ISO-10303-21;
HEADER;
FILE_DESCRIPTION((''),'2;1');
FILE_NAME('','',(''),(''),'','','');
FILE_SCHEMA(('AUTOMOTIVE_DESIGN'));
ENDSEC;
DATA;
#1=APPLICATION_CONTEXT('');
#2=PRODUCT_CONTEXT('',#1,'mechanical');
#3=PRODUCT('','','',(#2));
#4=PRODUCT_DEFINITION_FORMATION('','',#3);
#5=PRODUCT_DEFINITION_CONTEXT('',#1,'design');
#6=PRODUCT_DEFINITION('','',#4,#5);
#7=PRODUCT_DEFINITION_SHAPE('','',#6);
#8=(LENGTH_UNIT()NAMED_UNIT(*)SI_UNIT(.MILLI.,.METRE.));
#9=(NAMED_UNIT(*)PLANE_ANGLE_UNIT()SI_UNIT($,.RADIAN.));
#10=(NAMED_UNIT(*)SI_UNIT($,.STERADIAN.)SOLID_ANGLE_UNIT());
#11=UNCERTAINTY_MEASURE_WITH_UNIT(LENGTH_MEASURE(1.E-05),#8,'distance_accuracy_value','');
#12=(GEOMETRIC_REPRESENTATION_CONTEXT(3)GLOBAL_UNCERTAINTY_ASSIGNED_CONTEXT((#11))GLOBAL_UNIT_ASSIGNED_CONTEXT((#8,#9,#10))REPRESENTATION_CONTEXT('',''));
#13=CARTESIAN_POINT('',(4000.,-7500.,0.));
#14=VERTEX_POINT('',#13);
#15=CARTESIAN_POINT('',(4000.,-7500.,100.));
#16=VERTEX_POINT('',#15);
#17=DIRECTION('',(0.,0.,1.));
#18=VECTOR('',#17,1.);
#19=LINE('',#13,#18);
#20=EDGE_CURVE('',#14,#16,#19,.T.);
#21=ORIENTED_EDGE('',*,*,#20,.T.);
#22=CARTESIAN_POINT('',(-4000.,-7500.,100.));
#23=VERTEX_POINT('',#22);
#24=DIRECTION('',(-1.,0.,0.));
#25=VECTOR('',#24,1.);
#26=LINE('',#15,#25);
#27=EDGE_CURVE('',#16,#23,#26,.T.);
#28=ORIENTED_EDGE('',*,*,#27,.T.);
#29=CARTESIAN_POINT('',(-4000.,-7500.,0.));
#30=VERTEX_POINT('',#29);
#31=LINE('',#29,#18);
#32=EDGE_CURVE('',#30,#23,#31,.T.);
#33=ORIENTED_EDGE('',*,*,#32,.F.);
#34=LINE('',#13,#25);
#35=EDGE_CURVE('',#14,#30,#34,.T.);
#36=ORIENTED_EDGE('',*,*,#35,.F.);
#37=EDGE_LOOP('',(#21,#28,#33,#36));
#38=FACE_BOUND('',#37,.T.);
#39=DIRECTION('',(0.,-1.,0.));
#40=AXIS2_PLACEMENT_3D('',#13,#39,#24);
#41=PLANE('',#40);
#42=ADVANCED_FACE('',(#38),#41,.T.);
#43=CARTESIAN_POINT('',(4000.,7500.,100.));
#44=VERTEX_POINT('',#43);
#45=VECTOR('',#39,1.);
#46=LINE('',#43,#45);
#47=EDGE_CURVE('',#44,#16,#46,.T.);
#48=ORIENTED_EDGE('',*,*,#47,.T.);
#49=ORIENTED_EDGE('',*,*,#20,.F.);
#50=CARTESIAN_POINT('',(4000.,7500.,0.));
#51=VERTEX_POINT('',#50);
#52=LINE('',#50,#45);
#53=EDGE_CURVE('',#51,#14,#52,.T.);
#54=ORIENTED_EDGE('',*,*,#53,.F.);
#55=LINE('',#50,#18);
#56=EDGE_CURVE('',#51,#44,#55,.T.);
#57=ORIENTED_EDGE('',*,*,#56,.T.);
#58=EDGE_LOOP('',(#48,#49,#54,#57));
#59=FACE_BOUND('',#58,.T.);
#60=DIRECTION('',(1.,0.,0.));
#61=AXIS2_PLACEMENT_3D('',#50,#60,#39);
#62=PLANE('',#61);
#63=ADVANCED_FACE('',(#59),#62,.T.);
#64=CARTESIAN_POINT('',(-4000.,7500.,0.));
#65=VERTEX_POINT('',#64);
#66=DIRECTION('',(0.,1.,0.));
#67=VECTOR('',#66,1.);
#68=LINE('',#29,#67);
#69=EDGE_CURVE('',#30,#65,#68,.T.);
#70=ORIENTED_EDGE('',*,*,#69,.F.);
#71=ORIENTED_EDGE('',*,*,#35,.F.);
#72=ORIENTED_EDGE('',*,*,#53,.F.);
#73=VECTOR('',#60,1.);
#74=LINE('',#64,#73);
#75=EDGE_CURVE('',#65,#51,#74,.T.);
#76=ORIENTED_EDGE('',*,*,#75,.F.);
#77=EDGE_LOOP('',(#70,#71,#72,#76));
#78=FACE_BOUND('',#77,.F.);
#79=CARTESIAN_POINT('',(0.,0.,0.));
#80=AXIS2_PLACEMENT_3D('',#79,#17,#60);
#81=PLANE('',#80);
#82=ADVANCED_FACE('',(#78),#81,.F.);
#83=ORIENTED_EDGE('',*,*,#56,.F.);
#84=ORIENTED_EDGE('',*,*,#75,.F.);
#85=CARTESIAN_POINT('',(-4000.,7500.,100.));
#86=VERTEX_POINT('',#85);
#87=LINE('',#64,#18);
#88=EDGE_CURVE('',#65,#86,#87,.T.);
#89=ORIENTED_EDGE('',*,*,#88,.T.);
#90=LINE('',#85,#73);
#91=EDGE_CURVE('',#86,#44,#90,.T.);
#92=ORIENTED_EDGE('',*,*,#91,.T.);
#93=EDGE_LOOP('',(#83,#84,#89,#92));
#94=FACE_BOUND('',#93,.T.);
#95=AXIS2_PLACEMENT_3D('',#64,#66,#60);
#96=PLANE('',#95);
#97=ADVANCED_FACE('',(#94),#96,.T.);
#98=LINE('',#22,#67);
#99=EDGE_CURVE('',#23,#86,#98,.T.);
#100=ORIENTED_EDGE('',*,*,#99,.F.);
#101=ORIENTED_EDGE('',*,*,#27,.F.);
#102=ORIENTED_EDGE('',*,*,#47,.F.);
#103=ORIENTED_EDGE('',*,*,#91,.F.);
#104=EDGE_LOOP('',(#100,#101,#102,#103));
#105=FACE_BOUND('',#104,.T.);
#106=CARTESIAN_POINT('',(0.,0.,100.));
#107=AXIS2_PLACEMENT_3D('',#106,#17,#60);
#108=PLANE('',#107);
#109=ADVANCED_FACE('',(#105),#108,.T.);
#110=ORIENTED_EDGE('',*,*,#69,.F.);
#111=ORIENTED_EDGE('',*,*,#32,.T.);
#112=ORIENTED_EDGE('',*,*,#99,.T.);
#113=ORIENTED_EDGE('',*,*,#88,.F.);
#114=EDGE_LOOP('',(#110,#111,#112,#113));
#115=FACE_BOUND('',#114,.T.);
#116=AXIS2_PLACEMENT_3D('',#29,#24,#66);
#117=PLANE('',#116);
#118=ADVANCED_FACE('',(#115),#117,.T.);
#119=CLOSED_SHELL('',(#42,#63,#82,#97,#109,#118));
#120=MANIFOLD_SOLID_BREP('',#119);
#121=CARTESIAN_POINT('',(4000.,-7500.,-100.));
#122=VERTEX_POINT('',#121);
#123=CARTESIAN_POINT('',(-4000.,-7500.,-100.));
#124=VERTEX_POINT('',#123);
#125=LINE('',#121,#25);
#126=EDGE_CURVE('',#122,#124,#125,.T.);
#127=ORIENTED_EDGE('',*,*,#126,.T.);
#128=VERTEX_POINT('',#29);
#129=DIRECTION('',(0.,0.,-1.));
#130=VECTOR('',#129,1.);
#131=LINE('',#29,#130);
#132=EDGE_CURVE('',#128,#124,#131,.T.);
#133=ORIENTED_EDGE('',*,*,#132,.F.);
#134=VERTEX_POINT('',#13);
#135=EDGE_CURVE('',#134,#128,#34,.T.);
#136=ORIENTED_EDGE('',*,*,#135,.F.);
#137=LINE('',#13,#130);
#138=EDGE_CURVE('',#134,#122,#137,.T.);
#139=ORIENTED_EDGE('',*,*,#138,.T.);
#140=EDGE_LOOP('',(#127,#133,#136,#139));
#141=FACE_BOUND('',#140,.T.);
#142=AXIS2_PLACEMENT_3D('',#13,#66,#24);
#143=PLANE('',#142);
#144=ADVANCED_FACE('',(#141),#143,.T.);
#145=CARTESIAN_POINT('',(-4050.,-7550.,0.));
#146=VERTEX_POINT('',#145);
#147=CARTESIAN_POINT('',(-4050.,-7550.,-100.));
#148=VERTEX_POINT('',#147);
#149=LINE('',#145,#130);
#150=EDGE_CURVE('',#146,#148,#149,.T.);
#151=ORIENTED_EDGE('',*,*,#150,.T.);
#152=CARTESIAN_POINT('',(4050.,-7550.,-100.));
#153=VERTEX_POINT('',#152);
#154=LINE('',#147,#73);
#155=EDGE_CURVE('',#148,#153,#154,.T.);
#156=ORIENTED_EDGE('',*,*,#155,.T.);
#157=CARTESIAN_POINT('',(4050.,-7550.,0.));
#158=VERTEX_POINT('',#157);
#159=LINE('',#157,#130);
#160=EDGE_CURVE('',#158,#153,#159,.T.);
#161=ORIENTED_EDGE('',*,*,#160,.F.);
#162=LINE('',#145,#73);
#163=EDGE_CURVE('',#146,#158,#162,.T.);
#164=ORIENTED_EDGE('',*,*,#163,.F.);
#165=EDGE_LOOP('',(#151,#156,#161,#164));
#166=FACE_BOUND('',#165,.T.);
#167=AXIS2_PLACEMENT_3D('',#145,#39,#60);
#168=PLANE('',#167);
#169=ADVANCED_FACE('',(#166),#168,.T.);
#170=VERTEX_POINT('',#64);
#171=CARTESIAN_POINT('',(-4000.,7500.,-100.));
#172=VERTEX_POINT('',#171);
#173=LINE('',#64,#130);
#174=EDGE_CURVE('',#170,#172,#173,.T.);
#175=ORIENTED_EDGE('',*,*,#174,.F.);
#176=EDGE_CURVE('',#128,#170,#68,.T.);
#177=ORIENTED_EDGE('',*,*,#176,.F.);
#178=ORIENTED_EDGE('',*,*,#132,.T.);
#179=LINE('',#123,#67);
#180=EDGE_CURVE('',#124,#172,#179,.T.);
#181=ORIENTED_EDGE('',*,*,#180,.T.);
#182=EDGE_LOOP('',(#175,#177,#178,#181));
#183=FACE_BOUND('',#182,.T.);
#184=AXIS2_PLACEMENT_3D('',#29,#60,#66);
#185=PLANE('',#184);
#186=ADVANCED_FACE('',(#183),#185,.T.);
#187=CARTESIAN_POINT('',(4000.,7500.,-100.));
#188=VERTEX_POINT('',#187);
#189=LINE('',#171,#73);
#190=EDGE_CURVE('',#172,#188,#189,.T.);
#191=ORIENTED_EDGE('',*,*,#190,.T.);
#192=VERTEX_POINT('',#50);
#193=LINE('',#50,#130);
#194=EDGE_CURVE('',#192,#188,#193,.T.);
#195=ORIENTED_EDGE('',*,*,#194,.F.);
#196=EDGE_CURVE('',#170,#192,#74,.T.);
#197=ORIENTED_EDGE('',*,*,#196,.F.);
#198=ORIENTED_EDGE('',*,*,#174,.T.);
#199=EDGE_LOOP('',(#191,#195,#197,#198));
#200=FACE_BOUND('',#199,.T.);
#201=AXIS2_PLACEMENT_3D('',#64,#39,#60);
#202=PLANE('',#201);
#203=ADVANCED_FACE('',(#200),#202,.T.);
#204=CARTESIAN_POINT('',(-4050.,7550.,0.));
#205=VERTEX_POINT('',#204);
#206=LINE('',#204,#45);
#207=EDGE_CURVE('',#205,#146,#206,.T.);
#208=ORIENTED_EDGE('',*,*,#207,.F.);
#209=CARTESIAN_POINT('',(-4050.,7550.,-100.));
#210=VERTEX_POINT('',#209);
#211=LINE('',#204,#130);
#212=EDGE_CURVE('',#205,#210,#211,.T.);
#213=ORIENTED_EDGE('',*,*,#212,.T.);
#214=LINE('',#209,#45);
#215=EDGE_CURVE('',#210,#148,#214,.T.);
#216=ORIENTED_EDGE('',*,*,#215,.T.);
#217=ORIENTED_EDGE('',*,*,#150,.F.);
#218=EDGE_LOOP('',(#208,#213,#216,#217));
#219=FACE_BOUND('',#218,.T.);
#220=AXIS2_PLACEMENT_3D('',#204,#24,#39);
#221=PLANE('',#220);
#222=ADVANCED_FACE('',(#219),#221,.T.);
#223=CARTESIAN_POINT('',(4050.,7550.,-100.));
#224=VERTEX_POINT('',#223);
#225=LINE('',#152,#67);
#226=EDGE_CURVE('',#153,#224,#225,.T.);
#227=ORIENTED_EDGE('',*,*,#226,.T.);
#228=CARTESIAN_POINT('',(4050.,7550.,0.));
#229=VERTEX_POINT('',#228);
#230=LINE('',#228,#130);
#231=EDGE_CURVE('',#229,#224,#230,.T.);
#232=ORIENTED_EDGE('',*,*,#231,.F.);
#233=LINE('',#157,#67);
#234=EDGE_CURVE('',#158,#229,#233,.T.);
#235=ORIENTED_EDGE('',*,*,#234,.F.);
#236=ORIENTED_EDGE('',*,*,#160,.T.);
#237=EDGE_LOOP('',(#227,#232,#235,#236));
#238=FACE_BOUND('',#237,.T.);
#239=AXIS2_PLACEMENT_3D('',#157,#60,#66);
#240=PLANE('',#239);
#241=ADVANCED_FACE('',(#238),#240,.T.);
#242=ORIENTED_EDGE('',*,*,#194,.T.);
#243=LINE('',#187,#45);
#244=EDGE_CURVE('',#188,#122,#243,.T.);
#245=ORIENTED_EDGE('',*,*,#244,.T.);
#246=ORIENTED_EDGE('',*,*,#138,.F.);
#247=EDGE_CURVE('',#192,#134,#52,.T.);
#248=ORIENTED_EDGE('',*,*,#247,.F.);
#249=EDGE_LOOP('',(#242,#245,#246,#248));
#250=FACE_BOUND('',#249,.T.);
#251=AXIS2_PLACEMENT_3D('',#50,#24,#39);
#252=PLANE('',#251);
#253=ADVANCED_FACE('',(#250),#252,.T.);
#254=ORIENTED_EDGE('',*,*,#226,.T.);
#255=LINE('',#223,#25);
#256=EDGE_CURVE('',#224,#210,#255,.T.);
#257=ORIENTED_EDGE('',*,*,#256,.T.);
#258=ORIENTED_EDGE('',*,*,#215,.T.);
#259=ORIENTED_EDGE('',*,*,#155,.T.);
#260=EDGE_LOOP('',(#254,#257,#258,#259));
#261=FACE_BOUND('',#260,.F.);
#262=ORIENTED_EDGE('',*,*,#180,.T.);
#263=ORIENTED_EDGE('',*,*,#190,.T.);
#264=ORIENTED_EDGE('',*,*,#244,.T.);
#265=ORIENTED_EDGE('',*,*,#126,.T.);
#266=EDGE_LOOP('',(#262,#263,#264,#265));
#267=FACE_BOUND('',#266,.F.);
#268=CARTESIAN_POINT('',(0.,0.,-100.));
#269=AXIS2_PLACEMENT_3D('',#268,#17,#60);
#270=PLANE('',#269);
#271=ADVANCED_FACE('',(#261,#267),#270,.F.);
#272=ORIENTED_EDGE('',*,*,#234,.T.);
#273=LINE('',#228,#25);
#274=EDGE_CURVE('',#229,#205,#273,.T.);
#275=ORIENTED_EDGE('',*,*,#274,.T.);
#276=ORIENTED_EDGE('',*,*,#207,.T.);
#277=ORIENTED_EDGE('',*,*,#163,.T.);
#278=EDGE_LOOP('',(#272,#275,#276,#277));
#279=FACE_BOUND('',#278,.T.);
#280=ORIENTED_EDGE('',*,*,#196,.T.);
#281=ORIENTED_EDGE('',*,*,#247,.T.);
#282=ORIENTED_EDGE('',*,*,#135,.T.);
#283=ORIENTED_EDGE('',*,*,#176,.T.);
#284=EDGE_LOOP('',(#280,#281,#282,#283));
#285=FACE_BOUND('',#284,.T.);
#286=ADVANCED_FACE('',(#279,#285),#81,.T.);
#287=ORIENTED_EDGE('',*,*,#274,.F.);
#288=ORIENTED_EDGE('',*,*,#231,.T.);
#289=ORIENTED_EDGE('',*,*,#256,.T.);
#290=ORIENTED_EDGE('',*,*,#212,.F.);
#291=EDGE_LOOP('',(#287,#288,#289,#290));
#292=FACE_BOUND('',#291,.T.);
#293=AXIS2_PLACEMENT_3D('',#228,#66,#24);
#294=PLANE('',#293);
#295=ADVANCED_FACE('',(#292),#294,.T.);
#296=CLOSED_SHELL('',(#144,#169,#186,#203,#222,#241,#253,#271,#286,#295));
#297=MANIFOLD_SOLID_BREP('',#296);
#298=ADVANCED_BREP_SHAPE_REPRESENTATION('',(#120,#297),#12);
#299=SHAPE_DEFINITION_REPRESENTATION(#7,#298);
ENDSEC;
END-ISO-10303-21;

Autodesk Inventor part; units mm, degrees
ref_plane "YZ Plane" through (0, 0, 0) normal (1, 0, 0) x (0, 1, 0)
ref_plane "XZ Plane" through (0, 0, 0) normal (0, 1, 0) x (-1, 0, 0)
ref_plane "XY Plane" through (0, 0, 0) normal (0, 0, 1) x (1, 0, 0)
sketch "スケッチ2" plane through (0, 0, 0) normal (0, 0, 1) x (1, 0, 0)
  line L0 (4000, -7500) -> (-4000, -7500)
  line L1 (-4000, -7500) -> (-4000, 7500)
  line L2 (-4000, 7500) -> (4000, 7500)
  line L3 (4000, 7500) -> (4000, -7500)
  line L4 (4000, -7500) -> (-4000, 7500) construction
  line L5 (-4000, -7500) -> (4000, 7500) construction
  line L6 (4050, 7550) -> (-4050, 7550)
  line L7 (-4050, 7550) -> (-4050, -7550)
  line L8 (-4050, -7550) -> (4050, -7550)
  line L9 (4050, -7550) -> (4050, 7550)
  point P0 (0, 0)
  dimension "d0" = 8000
  dimension "d1" = 15000
  dimension "d2" = 50
extrude "押し出し1" add sketch "スケッチ2" along normal blind 100 contours L0 L1 L2 L3
extrude "押し出し2" add sketch "スケッチ2" against normal blind 100 separate body
properties part number "field" material "アルミニウム 6061"
